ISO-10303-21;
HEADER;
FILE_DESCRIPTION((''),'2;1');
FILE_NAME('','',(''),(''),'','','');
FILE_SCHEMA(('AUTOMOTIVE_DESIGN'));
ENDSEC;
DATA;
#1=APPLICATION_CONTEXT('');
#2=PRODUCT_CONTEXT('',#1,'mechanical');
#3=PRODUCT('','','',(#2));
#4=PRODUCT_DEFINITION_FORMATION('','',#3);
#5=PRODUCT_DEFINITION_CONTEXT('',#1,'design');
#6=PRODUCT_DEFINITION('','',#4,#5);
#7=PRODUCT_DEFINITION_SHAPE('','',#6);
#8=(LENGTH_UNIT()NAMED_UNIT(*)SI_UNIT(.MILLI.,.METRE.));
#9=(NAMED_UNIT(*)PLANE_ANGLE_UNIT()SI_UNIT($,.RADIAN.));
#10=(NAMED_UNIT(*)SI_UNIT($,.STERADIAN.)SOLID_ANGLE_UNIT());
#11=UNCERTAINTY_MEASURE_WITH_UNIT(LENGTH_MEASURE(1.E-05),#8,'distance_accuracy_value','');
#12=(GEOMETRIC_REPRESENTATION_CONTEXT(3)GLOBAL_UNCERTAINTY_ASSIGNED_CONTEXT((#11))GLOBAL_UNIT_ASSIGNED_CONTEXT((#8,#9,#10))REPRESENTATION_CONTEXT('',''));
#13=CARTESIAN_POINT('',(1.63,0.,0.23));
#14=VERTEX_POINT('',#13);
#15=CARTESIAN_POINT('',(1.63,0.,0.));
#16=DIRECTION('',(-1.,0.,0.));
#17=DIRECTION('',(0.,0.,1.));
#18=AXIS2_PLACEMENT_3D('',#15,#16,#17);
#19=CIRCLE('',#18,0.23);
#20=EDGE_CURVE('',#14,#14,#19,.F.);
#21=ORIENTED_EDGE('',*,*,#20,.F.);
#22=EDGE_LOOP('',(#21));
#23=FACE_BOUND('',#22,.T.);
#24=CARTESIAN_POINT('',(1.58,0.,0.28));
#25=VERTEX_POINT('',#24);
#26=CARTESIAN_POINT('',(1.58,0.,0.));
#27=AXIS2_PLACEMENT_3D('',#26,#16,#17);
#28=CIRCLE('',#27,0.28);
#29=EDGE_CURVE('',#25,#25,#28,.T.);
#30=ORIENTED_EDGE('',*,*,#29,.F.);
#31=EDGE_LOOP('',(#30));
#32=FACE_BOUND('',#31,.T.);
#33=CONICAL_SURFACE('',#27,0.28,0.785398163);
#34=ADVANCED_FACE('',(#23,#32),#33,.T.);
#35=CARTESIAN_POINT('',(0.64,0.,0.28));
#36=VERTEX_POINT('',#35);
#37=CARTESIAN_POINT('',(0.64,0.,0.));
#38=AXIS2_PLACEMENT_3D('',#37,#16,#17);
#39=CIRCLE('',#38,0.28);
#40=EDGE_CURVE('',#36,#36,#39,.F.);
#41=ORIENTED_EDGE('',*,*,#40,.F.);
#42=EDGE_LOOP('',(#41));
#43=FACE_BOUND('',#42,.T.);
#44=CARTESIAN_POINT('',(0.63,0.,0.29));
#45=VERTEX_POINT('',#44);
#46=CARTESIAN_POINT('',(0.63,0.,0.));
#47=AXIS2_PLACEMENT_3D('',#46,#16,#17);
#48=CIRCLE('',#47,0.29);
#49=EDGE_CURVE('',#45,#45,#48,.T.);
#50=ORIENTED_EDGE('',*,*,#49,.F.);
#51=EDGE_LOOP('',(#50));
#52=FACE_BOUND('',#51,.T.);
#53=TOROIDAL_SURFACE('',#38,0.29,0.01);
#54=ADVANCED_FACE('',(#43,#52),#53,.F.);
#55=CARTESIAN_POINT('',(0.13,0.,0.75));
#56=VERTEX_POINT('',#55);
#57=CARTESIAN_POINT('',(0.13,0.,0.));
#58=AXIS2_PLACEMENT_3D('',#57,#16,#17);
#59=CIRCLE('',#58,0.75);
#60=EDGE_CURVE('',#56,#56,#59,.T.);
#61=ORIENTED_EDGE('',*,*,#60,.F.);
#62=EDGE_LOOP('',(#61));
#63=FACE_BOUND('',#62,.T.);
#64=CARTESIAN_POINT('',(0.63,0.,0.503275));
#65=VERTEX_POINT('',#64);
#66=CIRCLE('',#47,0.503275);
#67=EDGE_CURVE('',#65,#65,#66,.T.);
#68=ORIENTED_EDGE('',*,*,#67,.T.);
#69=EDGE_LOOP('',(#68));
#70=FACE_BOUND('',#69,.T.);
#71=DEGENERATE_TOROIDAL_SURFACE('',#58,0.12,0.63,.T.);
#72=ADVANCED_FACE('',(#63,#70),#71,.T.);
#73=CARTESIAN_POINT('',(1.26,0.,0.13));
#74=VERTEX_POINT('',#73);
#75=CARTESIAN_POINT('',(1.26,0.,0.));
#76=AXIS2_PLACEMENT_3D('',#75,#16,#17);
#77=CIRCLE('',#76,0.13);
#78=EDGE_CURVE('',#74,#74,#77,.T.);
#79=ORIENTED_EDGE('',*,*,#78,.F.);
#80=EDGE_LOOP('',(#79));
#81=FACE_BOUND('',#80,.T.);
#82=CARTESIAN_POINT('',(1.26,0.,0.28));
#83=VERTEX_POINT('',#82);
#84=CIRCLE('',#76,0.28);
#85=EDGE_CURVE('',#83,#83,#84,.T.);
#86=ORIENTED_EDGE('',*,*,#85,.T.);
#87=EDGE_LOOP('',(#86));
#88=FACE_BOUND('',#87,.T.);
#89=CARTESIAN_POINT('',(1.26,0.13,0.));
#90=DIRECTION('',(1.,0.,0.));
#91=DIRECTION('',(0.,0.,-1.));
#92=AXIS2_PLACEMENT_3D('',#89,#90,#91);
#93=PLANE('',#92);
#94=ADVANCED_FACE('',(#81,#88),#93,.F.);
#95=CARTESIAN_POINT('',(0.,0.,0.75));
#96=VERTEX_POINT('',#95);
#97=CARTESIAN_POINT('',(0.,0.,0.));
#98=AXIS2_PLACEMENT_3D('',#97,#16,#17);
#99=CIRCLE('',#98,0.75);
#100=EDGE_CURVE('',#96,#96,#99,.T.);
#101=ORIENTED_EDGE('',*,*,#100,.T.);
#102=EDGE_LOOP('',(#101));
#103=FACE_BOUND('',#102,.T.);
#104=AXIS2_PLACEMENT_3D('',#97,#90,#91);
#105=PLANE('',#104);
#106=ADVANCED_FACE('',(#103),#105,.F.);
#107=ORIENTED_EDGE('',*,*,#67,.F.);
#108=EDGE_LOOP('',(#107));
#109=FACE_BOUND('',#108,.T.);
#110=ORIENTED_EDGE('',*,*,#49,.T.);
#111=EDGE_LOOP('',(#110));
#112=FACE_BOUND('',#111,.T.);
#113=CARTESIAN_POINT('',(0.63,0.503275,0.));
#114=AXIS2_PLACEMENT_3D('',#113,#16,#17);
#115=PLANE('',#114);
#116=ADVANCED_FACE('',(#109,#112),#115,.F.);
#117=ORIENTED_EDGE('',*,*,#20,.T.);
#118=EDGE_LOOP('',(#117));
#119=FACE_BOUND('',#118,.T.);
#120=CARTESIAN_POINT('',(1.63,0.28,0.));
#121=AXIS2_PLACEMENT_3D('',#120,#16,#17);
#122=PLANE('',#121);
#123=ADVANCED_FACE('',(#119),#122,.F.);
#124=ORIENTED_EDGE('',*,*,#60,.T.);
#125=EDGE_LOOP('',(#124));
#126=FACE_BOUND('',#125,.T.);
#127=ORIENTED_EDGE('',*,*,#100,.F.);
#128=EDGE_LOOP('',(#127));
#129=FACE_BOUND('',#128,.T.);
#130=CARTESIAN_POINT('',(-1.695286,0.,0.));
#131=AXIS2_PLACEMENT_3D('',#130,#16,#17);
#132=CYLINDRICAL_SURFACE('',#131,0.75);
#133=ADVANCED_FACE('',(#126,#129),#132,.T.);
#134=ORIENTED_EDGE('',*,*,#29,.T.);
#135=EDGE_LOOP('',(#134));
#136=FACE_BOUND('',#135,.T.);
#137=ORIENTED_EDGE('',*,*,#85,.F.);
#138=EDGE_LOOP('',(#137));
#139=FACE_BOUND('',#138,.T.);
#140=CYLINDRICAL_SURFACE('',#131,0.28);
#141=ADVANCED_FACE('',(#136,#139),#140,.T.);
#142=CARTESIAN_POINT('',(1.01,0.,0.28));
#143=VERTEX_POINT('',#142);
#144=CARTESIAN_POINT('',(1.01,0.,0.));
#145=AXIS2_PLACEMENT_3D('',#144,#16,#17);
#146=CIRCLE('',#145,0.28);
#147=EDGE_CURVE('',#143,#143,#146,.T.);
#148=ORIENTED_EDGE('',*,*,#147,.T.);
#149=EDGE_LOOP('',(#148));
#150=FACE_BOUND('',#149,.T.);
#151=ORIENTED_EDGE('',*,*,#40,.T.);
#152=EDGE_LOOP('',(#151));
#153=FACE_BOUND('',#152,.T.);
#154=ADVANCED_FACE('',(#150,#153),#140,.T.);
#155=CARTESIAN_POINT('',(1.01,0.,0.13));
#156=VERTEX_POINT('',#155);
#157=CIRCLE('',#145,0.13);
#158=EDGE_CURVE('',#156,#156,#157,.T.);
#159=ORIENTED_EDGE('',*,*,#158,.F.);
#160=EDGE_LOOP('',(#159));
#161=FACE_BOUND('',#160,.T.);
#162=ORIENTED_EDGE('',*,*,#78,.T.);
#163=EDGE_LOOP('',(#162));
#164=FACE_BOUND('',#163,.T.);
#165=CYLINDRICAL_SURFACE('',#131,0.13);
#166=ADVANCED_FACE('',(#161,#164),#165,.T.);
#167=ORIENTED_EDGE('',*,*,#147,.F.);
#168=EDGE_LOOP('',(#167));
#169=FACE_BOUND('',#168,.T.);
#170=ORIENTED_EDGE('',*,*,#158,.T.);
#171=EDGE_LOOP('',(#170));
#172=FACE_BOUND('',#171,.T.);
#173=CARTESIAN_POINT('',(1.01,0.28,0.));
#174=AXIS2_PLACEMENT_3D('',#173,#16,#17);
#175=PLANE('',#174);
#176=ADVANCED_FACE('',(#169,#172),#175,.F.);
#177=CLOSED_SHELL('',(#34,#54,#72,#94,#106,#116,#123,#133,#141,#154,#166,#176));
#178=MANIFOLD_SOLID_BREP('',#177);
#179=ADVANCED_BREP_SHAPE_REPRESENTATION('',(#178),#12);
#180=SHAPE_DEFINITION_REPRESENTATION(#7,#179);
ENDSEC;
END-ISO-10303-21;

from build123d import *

# Parameters (mm, degrees)
FILLET1_R     = 0.01
CHAMFER1_SIZE = 0.05


with BuildPart() as part:
    # Sketch1 → Revolve1 (revolve)
    with BuildSketch(Plane.XY):
        with BuildLine():
            Line((0, 0), (0, 0.75))
            Line((0, 0.75), (0.13, 0.75))
            ThreePointArc((0.13, 0.75), (0.408779953, 0.684961714), (0.63, 0.503275358))
            Line((0.63, 0.503275358), (0.63, 0.28))
            Line((0.63, 0.28), (1.01, 0.28))
            Line((1.01, 0.28), (1.01, 0.13))
            Line((1.01, 0.13), (1.26, 0.13))
            Line((1.26, 0.13), (1.26, 0.28))
            Line((1.26, 0.28), (1.63, 0.28))
            Line((1.63, 0.28), (1.63, 0))
            Line((1.63, 0), (0, 0))
        make_face()
    revolve(axis=Axis((-1.695285667, 0, 0), (1, 0, 0)))

    # Fillet1
    fillet1_edges = [part.edges().sort_by_distance(p)[0] for p in [
        (0.63, -0.28, 0),
    ]]
    fillet(fillet1_edges, radius=FILLET1_R)

    # Chamfer1
    chamfer1_edges = [part.edges().sort_by_distance(p)[0] for p in [
        (1.63, -0.28, 0),
    ]]
    chamfer(chamfer1_edges, length=CHAMFER1_SIZE)


solid = part.part
